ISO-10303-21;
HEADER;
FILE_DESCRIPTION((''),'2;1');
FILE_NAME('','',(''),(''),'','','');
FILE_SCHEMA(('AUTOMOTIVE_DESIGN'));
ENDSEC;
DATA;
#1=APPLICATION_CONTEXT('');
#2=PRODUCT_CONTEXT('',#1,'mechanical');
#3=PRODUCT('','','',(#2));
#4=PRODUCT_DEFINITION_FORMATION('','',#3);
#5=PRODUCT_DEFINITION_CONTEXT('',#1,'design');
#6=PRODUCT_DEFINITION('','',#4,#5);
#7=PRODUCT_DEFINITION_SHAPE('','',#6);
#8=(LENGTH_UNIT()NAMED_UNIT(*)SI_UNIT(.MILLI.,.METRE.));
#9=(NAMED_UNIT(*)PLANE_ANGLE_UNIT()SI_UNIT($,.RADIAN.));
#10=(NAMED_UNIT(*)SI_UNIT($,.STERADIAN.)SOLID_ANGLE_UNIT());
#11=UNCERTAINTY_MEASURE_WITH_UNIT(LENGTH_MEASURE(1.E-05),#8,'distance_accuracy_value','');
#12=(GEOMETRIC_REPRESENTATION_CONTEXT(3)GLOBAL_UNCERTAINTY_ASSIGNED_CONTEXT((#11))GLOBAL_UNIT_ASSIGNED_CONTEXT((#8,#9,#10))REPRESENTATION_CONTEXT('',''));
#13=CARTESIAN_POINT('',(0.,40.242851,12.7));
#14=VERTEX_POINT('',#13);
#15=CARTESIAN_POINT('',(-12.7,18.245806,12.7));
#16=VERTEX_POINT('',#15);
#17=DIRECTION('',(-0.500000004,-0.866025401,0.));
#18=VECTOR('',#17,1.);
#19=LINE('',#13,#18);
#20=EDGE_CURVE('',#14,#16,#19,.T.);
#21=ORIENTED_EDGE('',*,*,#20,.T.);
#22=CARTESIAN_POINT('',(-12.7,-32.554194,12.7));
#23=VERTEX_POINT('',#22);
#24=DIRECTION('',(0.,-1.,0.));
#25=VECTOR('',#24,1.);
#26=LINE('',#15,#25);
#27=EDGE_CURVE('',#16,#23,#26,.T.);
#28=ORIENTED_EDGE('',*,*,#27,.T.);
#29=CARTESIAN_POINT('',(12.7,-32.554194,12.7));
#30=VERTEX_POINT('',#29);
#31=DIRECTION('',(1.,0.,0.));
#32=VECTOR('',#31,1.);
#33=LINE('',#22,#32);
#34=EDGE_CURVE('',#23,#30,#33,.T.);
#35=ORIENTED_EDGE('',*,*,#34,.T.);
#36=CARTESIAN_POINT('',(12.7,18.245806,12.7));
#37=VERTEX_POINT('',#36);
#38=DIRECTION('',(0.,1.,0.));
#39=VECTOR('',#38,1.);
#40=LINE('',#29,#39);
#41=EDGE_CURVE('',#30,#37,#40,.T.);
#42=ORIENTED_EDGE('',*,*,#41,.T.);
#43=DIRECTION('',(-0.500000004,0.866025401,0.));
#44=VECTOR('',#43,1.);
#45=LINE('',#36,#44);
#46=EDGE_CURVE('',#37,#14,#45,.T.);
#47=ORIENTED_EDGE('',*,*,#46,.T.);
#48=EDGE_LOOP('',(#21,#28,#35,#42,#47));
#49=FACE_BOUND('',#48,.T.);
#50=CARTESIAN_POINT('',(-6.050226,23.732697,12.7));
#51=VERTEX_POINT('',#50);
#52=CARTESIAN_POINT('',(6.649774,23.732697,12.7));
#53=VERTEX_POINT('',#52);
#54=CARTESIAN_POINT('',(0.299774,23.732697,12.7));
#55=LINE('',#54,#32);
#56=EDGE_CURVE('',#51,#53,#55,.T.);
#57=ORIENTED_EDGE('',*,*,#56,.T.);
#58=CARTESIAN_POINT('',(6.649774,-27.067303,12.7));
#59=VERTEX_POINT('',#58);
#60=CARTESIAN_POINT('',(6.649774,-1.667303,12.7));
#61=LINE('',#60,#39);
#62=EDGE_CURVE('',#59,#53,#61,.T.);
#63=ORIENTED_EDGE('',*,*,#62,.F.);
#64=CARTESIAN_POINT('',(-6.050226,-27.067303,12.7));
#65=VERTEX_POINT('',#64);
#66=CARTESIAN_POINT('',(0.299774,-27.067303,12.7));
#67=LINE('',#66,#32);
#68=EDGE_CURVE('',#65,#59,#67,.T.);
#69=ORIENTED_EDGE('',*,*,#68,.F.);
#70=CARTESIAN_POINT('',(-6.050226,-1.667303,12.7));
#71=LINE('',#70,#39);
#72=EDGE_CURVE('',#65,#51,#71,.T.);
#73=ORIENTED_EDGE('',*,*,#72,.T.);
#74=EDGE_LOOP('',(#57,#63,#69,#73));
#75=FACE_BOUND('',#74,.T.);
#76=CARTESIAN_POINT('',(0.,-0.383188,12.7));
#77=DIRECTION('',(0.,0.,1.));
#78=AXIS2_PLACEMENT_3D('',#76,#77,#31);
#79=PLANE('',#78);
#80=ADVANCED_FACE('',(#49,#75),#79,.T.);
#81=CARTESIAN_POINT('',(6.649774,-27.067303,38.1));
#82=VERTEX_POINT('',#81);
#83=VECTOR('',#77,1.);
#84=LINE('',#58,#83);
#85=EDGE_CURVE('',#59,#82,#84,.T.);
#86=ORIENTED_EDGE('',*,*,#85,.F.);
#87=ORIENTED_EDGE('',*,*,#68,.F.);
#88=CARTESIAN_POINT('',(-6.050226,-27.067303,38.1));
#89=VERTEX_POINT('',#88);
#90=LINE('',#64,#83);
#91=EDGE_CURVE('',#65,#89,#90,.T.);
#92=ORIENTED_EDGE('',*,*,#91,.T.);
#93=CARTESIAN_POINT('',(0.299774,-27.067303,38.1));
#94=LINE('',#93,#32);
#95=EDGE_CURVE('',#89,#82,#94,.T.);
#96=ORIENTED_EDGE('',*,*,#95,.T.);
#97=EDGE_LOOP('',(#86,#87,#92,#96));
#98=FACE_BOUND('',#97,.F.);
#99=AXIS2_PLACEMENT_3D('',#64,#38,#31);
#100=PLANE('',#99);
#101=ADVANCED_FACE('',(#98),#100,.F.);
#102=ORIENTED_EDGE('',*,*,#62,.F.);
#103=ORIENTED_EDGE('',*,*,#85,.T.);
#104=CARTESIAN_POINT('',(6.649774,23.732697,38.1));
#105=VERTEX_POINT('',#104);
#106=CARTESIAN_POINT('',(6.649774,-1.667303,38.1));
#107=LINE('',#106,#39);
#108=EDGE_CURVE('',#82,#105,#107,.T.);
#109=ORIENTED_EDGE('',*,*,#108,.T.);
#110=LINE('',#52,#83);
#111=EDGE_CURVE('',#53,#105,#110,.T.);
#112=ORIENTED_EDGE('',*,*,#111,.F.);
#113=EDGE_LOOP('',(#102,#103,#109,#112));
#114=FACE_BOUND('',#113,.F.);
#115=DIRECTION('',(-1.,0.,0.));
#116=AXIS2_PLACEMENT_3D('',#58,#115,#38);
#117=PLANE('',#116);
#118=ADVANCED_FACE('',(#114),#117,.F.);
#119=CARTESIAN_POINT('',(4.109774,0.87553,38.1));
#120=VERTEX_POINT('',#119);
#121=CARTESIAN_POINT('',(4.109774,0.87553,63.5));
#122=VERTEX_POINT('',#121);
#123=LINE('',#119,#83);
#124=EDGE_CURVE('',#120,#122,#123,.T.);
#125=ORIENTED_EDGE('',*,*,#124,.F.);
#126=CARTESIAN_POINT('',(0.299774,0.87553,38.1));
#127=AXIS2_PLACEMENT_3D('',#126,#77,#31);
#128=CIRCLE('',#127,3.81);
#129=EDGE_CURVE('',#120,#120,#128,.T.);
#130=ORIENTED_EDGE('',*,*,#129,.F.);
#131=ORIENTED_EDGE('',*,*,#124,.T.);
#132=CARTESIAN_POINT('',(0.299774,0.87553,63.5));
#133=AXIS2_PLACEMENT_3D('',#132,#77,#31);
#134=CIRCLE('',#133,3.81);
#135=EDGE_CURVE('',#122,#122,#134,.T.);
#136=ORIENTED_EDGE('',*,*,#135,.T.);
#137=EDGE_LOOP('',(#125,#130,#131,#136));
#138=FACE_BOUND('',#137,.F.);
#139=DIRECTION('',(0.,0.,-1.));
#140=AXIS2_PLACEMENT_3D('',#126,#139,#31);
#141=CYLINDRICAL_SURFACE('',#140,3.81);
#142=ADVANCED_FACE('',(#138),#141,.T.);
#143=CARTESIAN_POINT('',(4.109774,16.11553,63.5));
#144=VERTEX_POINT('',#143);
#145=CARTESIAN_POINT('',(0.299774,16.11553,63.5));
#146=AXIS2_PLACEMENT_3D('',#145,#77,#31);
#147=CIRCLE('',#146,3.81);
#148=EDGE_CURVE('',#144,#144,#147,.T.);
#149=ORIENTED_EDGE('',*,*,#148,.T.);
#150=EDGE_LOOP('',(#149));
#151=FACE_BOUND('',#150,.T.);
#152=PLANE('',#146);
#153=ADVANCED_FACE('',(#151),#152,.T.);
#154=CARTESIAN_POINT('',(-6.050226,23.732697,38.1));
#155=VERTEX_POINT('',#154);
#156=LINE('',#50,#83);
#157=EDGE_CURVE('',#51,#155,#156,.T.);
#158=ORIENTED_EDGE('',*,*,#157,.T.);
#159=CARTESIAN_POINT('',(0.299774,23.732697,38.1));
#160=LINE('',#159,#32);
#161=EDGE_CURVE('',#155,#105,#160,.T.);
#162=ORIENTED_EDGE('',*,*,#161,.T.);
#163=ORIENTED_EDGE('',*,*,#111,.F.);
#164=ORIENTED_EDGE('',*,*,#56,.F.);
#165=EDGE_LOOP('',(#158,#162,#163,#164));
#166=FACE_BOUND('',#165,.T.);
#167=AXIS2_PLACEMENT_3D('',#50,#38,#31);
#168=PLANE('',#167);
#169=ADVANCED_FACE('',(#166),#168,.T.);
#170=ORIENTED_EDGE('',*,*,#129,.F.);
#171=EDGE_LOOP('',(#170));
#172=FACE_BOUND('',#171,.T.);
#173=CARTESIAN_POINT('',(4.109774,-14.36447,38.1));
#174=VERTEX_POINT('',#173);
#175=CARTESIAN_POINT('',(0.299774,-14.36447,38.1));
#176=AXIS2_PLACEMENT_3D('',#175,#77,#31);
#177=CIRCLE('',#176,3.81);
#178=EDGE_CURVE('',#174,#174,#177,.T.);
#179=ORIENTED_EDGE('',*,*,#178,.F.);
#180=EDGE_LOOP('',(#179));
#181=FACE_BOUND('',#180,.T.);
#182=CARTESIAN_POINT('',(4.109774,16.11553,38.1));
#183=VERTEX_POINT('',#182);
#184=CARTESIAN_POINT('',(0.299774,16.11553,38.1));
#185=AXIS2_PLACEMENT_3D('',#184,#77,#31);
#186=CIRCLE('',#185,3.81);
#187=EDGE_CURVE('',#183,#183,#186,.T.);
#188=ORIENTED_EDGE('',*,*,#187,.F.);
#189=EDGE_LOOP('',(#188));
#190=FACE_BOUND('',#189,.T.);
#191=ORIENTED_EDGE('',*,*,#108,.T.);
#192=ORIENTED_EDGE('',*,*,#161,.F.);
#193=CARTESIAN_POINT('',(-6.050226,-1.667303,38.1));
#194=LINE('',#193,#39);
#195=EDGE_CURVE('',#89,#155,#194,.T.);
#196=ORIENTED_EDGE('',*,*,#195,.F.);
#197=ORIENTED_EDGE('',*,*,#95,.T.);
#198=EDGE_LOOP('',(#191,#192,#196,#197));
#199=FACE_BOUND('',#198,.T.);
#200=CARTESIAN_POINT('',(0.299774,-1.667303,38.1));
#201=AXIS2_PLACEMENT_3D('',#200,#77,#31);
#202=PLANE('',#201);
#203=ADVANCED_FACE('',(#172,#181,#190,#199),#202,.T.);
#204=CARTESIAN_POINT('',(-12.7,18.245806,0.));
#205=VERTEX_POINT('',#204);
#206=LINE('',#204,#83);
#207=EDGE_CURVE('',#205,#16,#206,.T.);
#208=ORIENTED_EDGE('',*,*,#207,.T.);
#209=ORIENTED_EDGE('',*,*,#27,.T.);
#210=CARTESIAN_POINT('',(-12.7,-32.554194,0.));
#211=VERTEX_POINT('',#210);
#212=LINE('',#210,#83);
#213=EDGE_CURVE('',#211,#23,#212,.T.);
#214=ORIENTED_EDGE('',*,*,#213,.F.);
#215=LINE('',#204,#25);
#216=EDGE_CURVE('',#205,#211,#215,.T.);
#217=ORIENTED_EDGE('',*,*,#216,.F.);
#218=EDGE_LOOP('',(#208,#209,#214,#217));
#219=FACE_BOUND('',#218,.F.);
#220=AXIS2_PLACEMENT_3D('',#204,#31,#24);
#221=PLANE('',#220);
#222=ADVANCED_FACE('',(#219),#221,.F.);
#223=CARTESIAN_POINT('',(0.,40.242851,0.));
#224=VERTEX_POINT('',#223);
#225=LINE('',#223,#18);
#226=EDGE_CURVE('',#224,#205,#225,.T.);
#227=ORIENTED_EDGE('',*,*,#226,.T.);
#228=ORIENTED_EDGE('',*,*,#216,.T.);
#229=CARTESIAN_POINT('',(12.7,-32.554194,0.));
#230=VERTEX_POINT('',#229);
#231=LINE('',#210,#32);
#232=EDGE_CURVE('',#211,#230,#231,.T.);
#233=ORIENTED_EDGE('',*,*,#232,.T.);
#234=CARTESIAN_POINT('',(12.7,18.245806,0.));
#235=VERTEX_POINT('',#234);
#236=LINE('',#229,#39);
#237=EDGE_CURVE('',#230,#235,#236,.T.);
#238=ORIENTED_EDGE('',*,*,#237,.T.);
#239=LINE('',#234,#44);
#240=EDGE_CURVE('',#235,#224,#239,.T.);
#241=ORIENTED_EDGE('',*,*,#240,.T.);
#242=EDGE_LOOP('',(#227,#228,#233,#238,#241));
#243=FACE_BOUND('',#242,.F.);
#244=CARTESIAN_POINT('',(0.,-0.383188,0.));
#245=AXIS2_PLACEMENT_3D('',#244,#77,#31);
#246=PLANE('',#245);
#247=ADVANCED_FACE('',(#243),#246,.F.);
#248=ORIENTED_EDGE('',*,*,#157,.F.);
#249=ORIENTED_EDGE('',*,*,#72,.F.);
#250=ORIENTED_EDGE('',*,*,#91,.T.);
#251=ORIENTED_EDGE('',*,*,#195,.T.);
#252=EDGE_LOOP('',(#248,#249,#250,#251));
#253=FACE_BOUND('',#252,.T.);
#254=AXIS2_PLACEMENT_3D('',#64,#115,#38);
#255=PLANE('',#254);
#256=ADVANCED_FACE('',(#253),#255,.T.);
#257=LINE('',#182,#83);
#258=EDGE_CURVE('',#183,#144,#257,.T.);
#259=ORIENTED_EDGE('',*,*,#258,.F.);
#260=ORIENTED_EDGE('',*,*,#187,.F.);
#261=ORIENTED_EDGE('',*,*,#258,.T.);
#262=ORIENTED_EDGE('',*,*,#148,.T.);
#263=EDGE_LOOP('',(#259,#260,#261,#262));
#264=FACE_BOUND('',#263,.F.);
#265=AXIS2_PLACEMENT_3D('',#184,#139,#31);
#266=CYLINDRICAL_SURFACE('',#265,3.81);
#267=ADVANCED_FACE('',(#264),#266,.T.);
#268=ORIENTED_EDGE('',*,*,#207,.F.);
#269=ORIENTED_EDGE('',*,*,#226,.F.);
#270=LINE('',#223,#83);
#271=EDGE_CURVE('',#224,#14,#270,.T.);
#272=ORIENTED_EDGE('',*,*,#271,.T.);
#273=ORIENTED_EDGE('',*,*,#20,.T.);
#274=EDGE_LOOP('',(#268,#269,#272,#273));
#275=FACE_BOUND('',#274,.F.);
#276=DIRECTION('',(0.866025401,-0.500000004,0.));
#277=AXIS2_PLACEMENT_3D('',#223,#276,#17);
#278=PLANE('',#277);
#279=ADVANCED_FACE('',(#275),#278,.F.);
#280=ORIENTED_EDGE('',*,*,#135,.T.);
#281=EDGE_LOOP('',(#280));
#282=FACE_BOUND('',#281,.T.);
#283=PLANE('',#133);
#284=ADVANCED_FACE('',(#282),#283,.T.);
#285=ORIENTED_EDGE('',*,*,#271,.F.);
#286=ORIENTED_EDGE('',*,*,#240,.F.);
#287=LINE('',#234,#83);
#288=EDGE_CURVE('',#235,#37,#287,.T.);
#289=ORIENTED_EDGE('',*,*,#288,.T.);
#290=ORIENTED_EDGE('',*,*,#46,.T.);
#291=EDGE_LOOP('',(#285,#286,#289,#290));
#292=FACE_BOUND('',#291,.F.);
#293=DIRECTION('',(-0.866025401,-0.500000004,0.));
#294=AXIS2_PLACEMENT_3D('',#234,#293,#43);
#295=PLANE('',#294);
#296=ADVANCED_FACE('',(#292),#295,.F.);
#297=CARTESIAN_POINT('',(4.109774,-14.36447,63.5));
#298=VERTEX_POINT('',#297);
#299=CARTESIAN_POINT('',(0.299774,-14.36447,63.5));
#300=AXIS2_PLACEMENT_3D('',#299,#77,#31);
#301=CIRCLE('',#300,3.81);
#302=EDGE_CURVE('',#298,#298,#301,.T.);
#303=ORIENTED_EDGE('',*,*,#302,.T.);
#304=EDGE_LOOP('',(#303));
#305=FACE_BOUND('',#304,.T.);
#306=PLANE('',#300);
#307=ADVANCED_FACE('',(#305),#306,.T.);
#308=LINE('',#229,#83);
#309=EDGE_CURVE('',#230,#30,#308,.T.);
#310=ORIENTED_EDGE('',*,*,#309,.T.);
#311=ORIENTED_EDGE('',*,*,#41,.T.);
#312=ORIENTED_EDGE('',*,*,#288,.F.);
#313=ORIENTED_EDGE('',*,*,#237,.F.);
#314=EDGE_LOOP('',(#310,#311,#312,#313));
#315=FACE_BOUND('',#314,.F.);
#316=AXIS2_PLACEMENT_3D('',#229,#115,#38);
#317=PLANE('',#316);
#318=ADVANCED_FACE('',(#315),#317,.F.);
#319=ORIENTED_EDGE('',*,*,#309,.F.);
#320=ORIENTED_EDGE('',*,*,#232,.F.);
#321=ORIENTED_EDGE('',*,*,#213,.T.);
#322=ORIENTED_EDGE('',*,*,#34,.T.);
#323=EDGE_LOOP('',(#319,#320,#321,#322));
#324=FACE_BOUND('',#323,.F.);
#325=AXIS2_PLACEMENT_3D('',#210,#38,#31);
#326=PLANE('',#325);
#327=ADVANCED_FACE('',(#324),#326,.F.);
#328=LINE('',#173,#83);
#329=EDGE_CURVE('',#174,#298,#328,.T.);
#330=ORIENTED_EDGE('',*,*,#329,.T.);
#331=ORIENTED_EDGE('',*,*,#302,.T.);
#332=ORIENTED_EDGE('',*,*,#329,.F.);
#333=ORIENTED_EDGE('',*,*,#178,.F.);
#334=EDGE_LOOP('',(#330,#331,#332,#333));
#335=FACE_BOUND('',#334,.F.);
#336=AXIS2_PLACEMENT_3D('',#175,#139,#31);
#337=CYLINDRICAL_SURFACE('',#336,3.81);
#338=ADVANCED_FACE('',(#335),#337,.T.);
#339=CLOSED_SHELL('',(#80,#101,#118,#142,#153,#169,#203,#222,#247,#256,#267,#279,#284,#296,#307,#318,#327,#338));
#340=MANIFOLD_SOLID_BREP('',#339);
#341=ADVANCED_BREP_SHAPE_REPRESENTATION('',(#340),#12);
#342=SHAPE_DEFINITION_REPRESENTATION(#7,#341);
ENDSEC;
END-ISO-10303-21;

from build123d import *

# Parameters (mm, degrees)
F1_DEPTH = 12.7
F2_W     = 12.7
F2_H     = 50.8
F3_DEPTH = 25.4
F4_R     = 3.81
F5_DEPTH = 25.4


with BuildPart() as f1:
    # F0 (on Top) → F1 (new body)
    with BuildSketch(Plane.XY):
        Polygon((-12.7, 18.245806), (-12.7, -32.554194), (12.7, -32.554194), (12.7, 18.245806), (0, 40.242851), align=None)
    extrude(amount=F1_DEPTH)

    # F2 (on face) → F3 (join)
    with BuildSketch(Plane.XY.offset(12.7)):
        with Locations((0.299774, -1.667303)):
            Rectangle(F2_W, F2_H)
    extrude(amount=F3_DEPTH)

    # F4 (on face) → F5 (join)
    with BuildSketch(Plane.XY.offset(38.1)):
        with Locations((0.299774, 16.11553)):
            Circle(F4_R)
        with Locations((0.299774, 0.87553)):
            Circle(F4_R)
        with Locations((0.299774, -14.36447)):
            Circle(F4_R)
    extrude(amount=F5_DEPTH)


solid = f1.part
